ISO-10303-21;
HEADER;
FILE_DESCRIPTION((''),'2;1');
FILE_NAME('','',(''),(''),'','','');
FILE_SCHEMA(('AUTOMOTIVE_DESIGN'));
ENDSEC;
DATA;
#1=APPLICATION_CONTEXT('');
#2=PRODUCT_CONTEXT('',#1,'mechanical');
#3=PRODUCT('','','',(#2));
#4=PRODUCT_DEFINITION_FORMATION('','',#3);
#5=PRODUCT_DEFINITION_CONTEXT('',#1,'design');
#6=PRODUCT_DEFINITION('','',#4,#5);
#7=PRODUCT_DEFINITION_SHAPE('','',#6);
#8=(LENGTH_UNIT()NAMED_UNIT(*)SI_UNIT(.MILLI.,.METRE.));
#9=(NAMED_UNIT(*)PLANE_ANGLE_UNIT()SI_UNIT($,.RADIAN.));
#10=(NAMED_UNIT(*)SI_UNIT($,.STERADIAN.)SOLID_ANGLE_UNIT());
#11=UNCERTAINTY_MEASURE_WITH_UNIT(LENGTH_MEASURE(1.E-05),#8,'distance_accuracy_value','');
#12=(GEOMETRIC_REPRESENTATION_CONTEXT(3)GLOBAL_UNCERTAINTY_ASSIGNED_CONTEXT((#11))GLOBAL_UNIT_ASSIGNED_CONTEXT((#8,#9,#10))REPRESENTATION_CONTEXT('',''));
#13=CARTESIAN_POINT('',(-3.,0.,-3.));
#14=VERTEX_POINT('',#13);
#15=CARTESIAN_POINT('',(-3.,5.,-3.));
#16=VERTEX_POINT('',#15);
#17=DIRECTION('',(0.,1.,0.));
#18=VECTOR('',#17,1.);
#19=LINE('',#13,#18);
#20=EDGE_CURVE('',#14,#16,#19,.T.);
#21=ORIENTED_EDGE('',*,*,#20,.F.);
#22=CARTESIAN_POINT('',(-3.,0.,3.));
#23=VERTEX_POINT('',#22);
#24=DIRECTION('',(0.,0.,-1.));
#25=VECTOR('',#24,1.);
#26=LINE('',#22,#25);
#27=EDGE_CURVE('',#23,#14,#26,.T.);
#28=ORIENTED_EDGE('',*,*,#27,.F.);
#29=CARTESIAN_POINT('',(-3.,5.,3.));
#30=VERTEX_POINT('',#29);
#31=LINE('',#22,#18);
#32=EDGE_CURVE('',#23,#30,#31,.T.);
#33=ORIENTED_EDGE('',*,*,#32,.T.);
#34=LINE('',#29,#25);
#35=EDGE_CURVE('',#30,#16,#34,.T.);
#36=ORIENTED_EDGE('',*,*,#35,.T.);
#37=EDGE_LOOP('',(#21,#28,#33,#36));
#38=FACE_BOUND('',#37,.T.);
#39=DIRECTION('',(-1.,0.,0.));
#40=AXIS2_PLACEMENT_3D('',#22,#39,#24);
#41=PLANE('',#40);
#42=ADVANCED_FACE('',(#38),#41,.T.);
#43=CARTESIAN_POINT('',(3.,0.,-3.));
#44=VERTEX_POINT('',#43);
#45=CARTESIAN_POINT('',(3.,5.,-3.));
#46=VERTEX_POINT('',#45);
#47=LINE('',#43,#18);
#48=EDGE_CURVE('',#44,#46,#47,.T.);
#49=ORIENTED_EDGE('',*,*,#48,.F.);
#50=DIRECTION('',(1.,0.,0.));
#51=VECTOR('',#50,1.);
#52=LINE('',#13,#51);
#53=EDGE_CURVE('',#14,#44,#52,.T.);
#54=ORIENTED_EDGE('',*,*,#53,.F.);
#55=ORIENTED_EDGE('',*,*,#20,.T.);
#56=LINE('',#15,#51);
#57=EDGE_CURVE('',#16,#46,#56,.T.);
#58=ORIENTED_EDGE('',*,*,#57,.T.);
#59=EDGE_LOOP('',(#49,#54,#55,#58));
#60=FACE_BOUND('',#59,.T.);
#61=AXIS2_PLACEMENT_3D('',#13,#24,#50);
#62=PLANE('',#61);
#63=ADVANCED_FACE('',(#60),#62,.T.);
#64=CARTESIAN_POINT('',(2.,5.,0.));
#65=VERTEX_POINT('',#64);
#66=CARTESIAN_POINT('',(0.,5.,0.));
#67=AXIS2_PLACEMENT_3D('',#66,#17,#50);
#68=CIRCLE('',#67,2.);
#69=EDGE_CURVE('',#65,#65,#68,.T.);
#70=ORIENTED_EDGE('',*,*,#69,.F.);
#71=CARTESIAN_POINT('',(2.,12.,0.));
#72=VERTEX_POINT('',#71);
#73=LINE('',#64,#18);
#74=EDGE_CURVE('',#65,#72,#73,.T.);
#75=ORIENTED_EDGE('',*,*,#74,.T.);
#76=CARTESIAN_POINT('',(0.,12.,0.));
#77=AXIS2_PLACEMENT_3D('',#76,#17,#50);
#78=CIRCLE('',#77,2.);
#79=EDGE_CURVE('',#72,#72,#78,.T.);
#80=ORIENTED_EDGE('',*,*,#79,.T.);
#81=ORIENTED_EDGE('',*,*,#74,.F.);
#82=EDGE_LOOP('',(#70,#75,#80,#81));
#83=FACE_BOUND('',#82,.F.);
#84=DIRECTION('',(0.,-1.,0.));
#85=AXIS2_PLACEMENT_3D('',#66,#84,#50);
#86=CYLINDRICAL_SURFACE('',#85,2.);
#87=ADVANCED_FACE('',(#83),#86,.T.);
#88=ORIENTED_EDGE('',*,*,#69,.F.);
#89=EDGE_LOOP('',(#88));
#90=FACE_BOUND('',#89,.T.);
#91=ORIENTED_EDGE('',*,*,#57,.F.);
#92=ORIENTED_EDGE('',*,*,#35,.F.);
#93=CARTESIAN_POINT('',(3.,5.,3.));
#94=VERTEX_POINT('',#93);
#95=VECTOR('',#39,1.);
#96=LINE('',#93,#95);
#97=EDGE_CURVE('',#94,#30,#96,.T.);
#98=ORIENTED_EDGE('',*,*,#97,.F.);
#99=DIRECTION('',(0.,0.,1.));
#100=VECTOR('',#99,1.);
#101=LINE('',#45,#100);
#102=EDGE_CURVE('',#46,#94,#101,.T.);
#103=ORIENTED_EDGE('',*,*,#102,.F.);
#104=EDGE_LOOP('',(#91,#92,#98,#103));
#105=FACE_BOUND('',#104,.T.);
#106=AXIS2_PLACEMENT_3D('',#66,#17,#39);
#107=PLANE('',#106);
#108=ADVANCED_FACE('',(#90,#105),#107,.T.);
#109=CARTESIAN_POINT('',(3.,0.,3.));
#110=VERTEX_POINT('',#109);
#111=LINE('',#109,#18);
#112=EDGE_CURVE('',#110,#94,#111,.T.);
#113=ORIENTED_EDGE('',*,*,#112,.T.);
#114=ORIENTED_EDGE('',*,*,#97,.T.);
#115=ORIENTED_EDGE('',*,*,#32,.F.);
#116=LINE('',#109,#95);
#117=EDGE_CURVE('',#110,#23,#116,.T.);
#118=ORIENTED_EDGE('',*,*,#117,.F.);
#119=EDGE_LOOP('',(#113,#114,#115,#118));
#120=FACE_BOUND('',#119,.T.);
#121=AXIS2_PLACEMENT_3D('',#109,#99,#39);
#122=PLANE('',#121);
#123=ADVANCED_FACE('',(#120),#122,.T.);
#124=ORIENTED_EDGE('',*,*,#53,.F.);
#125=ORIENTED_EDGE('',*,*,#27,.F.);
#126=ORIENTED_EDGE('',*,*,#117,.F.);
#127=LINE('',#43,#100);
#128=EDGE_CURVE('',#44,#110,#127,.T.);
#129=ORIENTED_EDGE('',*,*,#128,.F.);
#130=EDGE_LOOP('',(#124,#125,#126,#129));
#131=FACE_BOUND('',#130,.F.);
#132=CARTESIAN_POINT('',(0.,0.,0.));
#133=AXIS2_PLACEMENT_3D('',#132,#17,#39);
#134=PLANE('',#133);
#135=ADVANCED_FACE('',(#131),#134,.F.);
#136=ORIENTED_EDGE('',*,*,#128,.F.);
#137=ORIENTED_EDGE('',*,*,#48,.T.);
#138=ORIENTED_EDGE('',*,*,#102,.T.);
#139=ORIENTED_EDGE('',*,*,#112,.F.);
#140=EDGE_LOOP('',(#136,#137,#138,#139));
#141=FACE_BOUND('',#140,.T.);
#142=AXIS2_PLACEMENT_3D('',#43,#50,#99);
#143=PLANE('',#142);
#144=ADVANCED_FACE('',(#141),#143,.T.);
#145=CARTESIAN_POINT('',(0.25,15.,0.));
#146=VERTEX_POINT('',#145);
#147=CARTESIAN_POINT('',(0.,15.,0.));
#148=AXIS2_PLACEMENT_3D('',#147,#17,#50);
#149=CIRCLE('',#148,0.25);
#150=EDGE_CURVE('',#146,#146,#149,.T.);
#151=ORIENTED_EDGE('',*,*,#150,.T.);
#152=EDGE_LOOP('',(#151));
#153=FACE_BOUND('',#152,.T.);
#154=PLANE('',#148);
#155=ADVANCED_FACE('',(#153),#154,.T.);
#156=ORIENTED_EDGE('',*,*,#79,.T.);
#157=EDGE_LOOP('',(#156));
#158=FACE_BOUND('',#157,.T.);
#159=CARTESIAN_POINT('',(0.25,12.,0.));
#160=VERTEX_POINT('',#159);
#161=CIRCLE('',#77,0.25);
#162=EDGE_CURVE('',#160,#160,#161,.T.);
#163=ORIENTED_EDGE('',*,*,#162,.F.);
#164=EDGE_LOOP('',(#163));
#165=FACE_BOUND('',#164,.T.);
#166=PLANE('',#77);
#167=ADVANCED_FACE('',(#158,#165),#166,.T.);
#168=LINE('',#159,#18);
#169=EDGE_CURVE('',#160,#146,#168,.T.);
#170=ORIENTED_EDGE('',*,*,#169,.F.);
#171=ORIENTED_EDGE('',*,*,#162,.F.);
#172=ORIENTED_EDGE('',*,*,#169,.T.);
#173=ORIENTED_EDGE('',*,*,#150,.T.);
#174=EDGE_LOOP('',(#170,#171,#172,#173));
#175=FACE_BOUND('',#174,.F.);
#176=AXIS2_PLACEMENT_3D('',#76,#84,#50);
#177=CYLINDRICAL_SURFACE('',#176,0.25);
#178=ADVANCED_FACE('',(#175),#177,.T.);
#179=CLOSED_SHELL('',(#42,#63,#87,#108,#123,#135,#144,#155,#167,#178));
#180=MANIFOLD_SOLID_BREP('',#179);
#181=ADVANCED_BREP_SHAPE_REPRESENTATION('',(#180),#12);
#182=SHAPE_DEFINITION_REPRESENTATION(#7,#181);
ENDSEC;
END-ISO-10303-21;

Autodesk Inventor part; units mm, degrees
ref_plane "YZ Plane" through (0, 0, 0) normal (1, 0, 0) x (0, 1, 0)
ref_plane "XZ Plane" through (0, 0, 0) normal (0, 1, 0) x (-1, 0, 0)
ref_plane "XY Plane" through (0, 0, 0) normal (0, 0, 1) x (1, 0, 0)
sketch "Boceto1" plane through (0, 0, 0) normal (0, 1, 0) x (-1, 0, 0)
  line L0 (-3, 3) -> (3, 3)
  line L1 (3, 3) -> (3, -3)
  line L2 (3, -3) -> (-3, -3)
  line L3 (-3, -3) -> (-3, 3)
  line L4 (-3, 3) -> (3, -3) construction
  line L5 (3, 3) -> (-3, -3) construction
  point P0 (0, 0)
  dimension "d0" = 6
  dimension "d1" = 6
extrude "Extrusión1" add sketch "Boceto1" along normal blind 5
sketch "Boceto2" plane through (0, 5, 0) normal (0, 1, 0) x (1, 0, 0)
  circle A0 centre (0, 0) radius 2
  dimension "d4" = 4
extrude "Extrusión2" add sketch "Boceto2" along normal blind 7
sketch "Boceto3" plane through (0, 12, 0) normal (0, 1, 0) x (1, 0, 0)
  circle A0 centre (0, 0) radius 0.25
  dimension "d7" = 0.5
extrude "Extrusión3" add sketch "Boceto3" along normal blind 3
properties part number "Herramienta" material "Hierro, fundido"
